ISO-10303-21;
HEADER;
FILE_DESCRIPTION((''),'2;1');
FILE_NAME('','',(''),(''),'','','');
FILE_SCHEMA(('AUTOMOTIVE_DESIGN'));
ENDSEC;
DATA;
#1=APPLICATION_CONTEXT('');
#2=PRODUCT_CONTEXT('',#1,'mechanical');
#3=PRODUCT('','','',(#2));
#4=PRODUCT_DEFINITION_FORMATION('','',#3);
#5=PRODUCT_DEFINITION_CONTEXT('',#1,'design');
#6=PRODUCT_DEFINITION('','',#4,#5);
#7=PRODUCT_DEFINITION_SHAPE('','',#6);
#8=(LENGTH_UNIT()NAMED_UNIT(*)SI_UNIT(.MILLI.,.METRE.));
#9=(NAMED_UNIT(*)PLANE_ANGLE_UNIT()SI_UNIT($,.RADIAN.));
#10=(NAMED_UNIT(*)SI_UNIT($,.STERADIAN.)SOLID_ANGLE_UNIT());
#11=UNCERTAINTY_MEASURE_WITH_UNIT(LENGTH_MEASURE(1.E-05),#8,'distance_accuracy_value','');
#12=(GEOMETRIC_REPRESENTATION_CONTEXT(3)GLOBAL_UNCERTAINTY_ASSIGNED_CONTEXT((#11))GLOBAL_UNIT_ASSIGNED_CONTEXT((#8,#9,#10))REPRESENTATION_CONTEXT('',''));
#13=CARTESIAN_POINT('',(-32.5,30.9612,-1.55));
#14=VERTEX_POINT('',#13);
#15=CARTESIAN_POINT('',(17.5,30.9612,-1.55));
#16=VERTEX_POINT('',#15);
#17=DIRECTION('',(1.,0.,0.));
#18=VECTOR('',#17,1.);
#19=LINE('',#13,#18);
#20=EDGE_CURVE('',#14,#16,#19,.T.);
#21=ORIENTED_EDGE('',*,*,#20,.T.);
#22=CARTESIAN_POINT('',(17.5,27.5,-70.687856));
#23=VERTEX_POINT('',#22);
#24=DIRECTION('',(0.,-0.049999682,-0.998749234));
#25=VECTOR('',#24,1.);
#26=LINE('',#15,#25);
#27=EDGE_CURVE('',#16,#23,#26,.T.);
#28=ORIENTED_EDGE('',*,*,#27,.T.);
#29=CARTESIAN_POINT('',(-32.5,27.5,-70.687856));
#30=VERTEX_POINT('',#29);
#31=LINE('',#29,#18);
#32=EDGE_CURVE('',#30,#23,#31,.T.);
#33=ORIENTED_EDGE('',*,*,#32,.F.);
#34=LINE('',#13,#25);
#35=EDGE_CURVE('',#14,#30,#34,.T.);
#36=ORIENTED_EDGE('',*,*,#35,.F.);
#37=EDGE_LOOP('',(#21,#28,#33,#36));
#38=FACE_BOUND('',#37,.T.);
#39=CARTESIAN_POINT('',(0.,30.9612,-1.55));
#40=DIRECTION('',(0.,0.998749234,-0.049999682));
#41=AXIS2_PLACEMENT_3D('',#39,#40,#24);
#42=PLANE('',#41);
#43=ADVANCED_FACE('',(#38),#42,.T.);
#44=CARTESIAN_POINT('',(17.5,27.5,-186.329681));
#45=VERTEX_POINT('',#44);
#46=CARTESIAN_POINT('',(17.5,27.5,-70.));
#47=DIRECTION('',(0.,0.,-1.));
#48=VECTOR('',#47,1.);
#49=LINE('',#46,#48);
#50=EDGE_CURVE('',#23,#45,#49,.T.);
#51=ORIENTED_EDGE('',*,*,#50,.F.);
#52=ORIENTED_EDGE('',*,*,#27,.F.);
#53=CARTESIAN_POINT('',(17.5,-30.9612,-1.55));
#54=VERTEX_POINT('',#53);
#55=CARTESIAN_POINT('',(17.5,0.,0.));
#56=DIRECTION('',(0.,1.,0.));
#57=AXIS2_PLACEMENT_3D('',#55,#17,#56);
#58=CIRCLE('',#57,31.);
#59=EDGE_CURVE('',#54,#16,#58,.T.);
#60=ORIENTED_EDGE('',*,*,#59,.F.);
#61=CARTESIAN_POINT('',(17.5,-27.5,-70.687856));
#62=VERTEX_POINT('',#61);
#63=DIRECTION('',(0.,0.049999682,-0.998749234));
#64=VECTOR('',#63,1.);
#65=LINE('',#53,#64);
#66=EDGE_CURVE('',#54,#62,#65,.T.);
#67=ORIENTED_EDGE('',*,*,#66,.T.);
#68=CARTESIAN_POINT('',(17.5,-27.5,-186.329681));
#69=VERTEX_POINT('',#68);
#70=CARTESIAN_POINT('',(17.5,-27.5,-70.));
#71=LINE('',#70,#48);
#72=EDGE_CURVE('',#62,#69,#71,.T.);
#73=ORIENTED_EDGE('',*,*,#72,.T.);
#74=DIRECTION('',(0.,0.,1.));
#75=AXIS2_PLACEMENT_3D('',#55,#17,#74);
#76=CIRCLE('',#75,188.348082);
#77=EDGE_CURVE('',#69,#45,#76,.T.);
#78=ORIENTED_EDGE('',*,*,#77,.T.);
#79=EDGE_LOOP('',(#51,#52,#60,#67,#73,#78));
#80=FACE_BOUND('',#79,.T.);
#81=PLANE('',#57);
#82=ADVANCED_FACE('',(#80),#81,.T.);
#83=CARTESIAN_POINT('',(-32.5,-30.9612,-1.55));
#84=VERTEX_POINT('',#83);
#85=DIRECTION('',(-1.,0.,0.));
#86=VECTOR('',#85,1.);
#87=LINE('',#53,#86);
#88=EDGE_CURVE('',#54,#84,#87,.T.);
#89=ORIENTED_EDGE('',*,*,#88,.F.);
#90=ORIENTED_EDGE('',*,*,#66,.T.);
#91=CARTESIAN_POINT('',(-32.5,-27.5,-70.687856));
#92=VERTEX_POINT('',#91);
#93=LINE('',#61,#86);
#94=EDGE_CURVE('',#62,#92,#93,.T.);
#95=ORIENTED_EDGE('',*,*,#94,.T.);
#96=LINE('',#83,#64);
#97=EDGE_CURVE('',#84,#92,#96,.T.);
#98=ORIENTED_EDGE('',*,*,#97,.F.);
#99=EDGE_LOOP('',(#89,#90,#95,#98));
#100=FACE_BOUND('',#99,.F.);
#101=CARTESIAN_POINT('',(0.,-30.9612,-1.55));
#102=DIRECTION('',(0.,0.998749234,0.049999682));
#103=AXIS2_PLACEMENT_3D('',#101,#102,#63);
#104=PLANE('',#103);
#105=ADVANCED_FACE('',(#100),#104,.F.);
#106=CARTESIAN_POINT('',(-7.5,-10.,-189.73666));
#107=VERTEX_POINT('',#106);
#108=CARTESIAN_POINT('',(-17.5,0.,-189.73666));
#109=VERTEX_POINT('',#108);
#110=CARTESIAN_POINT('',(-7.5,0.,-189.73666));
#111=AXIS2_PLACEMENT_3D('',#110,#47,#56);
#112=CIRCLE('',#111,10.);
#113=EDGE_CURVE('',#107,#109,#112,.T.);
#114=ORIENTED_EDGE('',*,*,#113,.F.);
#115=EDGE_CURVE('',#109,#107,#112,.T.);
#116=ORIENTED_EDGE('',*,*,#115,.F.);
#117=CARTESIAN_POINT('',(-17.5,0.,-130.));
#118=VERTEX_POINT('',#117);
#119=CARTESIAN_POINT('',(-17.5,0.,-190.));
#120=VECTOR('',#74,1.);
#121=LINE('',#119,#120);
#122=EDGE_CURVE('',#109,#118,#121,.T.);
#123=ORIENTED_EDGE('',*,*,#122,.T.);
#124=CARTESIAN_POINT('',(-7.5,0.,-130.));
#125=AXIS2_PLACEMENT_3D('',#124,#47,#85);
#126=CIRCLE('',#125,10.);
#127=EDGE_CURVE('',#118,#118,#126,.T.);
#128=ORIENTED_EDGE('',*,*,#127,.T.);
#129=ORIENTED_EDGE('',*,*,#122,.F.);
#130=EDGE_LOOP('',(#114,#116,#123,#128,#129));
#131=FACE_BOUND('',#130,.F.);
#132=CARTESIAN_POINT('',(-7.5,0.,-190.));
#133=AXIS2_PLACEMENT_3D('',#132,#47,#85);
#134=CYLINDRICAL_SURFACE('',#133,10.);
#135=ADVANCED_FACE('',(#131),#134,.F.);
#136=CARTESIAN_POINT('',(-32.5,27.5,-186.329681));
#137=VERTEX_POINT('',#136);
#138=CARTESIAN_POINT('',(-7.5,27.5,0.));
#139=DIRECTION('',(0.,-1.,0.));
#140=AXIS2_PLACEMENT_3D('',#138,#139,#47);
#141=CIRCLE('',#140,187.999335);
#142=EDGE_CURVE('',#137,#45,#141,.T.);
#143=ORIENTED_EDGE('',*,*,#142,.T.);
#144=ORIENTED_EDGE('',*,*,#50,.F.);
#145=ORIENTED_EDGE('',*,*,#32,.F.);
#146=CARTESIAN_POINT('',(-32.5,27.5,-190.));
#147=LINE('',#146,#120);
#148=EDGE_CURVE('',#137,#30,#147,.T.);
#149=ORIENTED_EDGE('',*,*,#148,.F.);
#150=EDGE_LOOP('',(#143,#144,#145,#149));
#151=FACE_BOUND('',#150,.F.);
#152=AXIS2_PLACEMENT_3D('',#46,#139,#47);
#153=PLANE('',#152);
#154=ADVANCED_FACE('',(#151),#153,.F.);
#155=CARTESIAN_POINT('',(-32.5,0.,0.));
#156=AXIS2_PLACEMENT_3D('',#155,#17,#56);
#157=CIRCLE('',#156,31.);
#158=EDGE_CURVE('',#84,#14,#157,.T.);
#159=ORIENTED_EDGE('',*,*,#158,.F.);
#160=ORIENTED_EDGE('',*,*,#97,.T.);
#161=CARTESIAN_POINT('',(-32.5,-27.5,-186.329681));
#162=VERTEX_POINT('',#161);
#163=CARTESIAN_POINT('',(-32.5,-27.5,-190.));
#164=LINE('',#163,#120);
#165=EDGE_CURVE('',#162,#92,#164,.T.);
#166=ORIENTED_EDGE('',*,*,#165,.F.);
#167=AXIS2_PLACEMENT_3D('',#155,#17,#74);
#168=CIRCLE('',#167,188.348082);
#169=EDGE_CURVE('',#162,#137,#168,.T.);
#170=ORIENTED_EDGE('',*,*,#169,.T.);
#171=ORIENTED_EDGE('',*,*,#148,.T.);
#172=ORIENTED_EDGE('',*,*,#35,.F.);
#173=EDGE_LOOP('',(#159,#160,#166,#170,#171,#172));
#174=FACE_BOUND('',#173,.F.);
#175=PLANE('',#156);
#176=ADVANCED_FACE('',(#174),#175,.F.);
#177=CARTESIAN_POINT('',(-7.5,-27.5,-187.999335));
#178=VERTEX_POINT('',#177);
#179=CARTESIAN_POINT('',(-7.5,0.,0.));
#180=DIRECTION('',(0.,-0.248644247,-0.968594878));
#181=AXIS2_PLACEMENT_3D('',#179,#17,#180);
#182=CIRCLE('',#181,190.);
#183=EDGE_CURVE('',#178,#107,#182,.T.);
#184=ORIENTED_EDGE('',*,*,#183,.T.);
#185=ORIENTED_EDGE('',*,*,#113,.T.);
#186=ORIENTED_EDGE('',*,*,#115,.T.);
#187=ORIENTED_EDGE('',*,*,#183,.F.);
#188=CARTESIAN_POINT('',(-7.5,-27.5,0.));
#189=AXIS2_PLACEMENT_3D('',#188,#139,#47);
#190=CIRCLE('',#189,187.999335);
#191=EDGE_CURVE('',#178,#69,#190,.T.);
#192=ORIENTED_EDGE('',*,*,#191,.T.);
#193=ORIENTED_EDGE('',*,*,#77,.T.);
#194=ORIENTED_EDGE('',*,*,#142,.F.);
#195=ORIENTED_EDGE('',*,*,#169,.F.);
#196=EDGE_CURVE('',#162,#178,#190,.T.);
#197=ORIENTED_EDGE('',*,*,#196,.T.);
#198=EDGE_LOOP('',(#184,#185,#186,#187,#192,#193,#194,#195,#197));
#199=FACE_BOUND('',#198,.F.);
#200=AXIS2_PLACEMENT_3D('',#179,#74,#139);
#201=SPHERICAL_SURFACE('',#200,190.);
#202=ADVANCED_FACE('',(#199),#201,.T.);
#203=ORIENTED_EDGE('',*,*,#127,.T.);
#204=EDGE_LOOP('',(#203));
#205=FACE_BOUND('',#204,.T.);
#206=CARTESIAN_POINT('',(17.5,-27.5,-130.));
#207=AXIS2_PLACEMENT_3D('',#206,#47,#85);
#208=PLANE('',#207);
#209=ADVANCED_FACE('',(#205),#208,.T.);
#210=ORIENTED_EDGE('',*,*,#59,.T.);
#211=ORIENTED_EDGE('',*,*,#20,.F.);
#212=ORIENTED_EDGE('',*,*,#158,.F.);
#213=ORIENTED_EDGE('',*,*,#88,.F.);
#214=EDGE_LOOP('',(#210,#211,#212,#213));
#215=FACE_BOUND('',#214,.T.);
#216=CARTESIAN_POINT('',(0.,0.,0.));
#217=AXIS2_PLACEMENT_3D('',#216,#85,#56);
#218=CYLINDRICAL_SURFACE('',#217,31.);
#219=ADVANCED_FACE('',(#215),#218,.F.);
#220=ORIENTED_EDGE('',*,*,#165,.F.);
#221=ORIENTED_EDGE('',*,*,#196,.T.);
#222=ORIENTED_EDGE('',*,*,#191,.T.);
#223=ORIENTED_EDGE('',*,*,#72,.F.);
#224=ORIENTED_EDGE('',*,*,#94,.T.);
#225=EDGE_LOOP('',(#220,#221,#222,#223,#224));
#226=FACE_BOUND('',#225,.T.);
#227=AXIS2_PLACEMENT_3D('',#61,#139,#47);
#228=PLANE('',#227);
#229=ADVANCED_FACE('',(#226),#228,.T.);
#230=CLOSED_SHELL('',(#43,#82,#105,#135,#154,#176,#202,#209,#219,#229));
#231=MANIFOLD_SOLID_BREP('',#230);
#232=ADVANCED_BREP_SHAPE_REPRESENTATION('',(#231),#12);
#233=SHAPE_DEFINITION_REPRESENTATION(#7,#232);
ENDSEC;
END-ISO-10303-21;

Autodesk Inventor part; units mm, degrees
ref_plane "YZ Plane" through (0, 0, 0) normal (1, 0, 0) x (0, 1, 0)
ref_plane "XY Plane" through (0, 0, 0) normal (0, 0, 1) x (1, 0, 0)
ref_plane "UCS1: YZ Plane" through (0, 0, 0) normal (1, 0, 0) x (0, 1, 0)
sketch "Sketch2" plane through (0, 0, 0) normal (1, 0, 0) x (0, 1, 0)
  circle A0 centre (0, -70) radius 27.5
  line L0 (27.5, -190) -> (-27.5, -190)
  line L1 (0, -70) -> (0, -190) construction
  line L2 (-27.5, -70) -> (-27.5, -190)
  line L3 (27.5, -70) -> (27.5, -190)
  circle A1 centre (0, 0) radius 31
  line L4 (-30.9612, -1.55) -> (-27.4656, -71.375)
  line L5 (30.9612, -1.55) -> (27.4656, -71.375)
  line L6 (31.0388, 0) -> (-31.0388, 0)
  point P0 (-31, 0)
  point P1 (31, 0)
  point P2 (-31, 0)
  point P3 (-27.5, -70.6879)
  point P4 (27.5, -70.6879)
  dimension "d1" = 55
  dimension "d3" = 55
  dimension "d25" = 120
  dimension "d26" = 62
  dimension "d33" = 70
extrude "Extrusion1" add sketch "Sketch2" along normal blind 17.5 and the other way blind 32.5 contours A0
extrude "Extrusion2" add sketch "Sketch2" against normal blind 50 from surface at 17.5 contours L3 L5 A0 | A0 L4 L2 | L5 L3 L0 L2 L4 A0
sketch "Sketch5" plane through (17.5, -27.5, -190) normal (0, 0, -1) x (-1, 0, 0)
  circle A0 centre (25, 27.5) radius 10
  line L0 (50, 55) -> (50, 0) projected
  line L1 (0, 55) -> (50, 55) projected
  point P0 (17.5, 27.5)
  point P1 (50, 27.5)
  point P2 (-45, 0)
  point P3 (25, 55)
  dimension "d22" = 20
extrude "Extrusion4" cut sketch "Sketch5" against normal blind 60
ref_plane "Work Plane1" through (-7.5, 0, -70) normal (-1, 0, 0) x (0, 0, -1)
sketch "Sketch4" plane through (-7.5, 0, -70) normal (-1, 0, 0) x (0, 0, -1)
  circle A0 centre (-70, 0) radius 190
  line L0 (120, -27.5) -> (120, 27.5) projected
  line L1 (-260, 0) -> (120, 0)
  line L2 (120, 0) -> (120, 27.5)
  line L3 (120, 27.5) -> (0, 27.5) projected
  line L4 (120, 27.5) -> (120, 47.2424)
  line L5 (120, 47.2424) -> (114.033, 47.2424)
  point P0 (-70, 0)
  point P1 (117.9993, 27.5)
  point P2 (120, 0)
revolve "Revolution1" cut sketch "Sketch4" angle 360 about axis through (-7.5, 0, 190) along (0, 0, -1) contours L5 L4 L3 A0 | L3 L0 A0
extrude "Extrusion5" add sketch "Sketch2" along normal blind 17.5 and the other way blind 32.5 contours A0 L2 L4 A1 L5 L3
properties part number "shank_inventor"
